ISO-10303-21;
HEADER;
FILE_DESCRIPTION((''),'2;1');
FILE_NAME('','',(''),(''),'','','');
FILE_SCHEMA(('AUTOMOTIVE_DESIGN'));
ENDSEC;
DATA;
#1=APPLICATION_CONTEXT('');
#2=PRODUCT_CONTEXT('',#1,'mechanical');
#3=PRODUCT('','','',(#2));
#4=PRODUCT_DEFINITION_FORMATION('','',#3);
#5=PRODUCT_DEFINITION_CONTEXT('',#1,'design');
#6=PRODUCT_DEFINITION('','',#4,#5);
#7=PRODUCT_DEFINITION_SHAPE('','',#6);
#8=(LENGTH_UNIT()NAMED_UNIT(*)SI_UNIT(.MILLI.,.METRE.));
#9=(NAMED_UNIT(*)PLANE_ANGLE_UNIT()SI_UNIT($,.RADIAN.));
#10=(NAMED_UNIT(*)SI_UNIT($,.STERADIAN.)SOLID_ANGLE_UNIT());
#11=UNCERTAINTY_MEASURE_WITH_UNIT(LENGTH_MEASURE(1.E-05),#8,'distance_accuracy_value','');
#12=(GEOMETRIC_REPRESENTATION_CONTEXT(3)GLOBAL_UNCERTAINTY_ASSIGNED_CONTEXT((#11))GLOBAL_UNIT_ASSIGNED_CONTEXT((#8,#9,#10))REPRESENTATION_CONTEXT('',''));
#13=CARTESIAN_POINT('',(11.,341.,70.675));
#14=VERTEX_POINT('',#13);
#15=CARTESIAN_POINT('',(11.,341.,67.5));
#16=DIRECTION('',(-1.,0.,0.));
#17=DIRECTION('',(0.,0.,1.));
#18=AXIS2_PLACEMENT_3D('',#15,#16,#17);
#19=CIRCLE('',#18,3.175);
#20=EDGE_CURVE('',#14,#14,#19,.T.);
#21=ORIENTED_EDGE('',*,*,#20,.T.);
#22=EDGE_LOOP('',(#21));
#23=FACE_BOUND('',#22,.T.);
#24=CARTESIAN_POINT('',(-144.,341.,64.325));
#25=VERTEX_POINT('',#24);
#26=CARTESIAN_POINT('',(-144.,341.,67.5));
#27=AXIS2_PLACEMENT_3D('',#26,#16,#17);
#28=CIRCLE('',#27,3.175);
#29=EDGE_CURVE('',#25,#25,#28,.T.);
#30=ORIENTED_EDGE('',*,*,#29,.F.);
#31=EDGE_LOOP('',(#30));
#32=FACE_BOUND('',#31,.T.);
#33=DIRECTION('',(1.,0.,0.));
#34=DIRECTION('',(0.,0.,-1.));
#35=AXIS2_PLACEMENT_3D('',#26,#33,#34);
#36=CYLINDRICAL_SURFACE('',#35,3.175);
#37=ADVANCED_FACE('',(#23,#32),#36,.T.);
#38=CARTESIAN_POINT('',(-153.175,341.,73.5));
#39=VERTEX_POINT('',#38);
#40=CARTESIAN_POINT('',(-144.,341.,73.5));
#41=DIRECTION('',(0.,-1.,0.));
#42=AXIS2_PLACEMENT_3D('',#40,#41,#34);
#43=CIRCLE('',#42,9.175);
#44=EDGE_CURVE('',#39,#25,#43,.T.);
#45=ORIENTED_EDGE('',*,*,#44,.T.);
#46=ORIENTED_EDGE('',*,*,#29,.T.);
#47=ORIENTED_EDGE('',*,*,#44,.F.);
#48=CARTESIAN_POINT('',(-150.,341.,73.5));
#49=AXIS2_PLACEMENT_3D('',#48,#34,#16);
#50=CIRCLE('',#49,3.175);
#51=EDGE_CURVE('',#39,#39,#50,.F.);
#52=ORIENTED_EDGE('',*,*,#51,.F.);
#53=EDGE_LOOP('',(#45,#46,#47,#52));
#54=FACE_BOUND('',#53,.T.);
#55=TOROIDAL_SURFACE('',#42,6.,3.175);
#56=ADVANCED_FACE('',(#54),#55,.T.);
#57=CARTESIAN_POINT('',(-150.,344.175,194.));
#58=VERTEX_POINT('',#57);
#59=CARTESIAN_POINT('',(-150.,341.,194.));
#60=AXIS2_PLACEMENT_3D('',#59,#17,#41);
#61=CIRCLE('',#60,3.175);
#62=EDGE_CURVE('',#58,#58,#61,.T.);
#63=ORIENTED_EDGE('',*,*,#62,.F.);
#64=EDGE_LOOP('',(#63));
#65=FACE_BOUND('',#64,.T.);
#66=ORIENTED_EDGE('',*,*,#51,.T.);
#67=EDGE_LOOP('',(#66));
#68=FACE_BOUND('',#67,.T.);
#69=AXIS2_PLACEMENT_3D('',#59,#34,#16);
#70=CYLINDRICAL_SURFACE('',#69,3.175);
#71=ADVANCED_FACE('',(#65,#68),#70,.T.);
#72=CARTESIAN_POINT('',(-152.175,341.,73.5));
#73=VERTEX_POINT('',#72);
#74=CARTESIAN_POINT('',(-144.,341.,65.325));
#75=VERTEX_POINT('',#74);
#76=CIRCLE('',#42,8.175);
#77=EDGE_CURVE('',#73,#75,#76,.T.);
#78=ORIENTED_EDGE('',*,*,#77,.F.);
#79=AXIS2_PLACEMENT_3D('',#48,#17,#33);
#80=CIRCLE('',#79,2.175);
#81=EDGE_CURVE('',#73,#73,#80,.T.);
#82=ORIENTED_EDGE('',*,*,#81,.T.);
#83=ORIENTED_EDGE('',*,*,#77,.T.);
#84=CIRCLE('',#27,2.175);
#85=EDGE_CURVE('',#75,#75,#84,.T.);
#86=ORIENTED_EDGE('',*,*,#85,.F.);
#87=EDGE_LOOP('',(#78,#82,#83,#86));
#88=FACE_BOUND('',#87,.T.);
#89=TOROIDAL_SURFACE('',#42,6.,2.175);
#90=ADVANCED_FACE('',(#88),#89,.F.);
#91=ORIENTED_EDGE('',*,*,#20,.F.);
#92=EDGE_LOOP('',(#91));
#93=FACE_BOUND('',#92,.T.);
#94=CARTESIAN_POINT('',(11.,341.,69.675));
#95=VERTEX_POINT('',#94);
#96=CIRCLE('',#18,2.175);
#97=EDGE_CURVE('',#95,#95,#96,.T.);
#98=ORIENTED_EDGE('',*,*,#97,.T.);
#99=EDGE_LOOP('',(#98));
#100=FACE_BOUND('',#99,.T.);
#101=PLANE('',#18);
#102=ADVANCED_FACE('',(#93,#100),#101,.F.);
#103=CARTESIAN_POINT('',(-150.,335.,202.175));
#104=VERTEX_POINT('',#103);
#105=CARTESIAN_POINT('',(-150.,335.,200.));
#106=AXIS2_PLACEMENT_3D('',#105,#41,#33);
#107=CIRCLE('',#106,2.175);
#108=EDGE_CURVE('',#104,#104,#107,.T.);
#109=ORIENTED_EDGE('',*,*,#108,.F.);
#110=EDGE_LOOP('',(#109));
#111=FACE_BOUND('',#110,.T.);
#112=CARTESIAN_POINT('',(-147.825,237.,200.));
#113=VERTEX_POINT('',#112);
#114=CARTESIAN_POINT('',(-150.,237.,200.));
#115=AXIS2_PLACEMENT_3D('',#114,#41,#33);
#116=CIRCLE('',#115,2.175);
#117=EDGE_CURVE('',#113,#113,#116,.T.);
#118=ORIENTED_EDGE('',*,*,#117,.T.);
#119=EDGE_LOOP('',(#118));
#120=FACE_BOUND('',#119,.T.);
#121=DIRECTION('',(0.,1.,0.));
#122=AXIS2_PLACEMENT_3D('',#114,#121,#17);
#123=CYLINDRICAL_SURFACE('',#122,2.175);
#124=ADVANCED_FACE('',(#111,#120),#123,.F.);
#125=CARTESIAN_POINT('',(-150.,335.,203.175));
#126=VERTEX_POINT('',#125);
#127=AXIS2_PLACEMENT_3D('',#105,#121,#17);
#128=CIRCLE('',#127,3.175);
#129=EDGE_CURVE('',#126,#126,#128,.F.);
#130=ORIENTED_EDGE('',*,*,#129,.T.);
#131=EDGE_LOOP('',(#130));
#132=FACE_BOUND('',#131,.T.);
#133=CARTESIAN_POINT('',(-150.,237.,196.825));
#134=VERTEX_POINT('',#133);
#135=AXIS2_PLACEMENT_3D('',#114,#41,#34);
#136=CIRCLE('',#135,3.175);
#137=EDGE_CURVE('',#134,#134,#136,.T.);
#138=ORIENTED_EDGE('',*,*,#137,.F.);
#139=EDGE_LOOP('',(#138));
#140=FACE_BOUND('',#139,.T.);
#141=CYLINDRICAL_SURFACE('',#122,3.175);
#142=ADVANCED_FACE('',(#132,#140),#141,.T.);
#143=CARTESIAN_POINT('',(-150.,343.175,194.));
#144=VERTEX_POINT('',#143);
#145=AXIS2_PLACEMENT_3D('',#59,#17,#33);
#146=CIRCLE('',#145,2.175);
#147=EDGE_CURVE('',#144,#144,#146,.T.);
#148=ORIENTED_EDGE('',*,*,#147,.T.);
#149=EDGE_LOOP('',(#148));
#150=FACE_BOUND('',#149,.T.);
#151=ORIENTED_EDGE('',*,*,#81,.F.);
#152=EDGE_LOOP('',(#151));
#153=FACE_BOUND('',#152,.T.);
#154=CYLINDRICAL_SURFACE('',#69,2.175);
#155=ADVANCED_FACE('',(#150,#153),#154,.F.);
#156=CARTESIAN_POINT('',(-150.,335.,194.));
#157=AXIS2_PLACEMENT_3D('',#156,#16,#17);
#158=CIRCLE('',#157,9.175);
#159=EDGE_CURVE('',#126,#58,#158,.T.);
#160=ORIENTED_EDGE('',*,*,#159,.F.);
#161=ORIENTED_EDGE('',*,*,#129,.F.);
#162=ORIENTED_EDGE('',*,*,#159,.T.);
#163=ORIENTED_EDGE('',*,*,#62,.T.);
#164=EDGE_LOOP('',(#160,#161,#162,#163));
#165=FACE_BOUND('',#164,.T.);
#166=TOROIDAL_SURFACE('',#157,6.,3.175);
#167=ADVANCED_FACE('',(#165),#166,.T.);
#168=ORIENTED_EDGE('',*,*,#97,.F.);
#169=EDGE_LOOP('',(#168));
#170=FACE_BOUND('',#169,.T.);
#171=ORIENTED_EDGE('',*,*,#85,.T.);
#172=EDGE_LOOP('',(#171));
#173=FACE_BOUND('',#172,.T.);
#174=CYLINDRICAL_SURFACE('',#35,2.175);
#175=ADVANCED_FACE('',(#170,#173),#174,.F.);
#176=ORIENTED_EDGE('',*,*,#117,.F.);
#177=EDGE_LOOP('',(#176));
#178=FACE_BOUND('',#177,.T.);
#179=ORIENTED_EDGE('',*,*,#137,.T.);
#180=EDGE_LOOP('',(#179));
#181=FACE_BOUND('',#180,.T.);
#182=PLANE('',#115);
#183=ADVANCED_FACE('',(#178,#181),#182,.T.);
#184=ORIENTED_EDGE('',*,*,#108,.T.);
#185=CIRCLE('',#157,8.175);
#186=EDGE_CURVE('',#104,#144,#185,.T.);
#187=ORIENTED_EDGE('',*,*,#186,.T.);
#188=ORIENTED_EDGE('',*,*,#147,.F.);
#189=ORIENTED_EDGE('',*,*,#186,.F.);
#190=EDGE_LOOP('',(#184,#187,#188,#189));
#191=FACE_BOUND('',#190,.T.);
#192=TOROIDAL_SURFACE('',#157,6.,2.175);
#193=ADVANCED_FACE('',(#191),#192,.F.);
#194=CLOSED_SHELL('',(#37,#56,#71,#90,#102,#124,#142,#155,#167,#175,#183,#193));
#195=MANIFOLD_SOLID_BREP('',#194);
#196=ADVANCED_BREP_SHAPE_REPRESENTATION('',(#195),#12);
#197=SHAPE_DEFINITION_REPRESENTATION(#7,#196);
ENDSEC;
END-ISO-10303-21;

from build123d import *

# Parameters (mm, degrees)
TUBE_PROFILE_R   = 3.175
TUBE_PROFILE_R_2 = 2.175


with BuildPart() as part:
    # Tube: sweep along a curve in space
    with BuildLine() as tube_path:
        Line((-150, 237, 200), (-150, 335, 200))
        ThreePointArc((-150, 341, 194), (-150, 339.242640687, 198.242640687), (-150, 335, 200))
        Line((-150, 341, 194), (-150, 341, 73.5))
        ThreePointArc((-144, 341, 67.5), (-148.242640687, 341, 69.257359313), (-150, 341, 73.5))
        Line((-144, 341, 67.5), (11, 341, 67.5))
    # Tube profile (on start of the path) → Tube (sweep)
    with BuildSketch(Plane(origin=(-150, 237, 200), x_dir=(0, 0, 1), z_dir=(0, 1, 0))):
        Circle(TUBE_PROFILE_R)
        Circle(TUBE_PROFILE_R_2, mode=Mode.SUBTRACT)
    sweep(path=tube_path.line)


solid = part.part
